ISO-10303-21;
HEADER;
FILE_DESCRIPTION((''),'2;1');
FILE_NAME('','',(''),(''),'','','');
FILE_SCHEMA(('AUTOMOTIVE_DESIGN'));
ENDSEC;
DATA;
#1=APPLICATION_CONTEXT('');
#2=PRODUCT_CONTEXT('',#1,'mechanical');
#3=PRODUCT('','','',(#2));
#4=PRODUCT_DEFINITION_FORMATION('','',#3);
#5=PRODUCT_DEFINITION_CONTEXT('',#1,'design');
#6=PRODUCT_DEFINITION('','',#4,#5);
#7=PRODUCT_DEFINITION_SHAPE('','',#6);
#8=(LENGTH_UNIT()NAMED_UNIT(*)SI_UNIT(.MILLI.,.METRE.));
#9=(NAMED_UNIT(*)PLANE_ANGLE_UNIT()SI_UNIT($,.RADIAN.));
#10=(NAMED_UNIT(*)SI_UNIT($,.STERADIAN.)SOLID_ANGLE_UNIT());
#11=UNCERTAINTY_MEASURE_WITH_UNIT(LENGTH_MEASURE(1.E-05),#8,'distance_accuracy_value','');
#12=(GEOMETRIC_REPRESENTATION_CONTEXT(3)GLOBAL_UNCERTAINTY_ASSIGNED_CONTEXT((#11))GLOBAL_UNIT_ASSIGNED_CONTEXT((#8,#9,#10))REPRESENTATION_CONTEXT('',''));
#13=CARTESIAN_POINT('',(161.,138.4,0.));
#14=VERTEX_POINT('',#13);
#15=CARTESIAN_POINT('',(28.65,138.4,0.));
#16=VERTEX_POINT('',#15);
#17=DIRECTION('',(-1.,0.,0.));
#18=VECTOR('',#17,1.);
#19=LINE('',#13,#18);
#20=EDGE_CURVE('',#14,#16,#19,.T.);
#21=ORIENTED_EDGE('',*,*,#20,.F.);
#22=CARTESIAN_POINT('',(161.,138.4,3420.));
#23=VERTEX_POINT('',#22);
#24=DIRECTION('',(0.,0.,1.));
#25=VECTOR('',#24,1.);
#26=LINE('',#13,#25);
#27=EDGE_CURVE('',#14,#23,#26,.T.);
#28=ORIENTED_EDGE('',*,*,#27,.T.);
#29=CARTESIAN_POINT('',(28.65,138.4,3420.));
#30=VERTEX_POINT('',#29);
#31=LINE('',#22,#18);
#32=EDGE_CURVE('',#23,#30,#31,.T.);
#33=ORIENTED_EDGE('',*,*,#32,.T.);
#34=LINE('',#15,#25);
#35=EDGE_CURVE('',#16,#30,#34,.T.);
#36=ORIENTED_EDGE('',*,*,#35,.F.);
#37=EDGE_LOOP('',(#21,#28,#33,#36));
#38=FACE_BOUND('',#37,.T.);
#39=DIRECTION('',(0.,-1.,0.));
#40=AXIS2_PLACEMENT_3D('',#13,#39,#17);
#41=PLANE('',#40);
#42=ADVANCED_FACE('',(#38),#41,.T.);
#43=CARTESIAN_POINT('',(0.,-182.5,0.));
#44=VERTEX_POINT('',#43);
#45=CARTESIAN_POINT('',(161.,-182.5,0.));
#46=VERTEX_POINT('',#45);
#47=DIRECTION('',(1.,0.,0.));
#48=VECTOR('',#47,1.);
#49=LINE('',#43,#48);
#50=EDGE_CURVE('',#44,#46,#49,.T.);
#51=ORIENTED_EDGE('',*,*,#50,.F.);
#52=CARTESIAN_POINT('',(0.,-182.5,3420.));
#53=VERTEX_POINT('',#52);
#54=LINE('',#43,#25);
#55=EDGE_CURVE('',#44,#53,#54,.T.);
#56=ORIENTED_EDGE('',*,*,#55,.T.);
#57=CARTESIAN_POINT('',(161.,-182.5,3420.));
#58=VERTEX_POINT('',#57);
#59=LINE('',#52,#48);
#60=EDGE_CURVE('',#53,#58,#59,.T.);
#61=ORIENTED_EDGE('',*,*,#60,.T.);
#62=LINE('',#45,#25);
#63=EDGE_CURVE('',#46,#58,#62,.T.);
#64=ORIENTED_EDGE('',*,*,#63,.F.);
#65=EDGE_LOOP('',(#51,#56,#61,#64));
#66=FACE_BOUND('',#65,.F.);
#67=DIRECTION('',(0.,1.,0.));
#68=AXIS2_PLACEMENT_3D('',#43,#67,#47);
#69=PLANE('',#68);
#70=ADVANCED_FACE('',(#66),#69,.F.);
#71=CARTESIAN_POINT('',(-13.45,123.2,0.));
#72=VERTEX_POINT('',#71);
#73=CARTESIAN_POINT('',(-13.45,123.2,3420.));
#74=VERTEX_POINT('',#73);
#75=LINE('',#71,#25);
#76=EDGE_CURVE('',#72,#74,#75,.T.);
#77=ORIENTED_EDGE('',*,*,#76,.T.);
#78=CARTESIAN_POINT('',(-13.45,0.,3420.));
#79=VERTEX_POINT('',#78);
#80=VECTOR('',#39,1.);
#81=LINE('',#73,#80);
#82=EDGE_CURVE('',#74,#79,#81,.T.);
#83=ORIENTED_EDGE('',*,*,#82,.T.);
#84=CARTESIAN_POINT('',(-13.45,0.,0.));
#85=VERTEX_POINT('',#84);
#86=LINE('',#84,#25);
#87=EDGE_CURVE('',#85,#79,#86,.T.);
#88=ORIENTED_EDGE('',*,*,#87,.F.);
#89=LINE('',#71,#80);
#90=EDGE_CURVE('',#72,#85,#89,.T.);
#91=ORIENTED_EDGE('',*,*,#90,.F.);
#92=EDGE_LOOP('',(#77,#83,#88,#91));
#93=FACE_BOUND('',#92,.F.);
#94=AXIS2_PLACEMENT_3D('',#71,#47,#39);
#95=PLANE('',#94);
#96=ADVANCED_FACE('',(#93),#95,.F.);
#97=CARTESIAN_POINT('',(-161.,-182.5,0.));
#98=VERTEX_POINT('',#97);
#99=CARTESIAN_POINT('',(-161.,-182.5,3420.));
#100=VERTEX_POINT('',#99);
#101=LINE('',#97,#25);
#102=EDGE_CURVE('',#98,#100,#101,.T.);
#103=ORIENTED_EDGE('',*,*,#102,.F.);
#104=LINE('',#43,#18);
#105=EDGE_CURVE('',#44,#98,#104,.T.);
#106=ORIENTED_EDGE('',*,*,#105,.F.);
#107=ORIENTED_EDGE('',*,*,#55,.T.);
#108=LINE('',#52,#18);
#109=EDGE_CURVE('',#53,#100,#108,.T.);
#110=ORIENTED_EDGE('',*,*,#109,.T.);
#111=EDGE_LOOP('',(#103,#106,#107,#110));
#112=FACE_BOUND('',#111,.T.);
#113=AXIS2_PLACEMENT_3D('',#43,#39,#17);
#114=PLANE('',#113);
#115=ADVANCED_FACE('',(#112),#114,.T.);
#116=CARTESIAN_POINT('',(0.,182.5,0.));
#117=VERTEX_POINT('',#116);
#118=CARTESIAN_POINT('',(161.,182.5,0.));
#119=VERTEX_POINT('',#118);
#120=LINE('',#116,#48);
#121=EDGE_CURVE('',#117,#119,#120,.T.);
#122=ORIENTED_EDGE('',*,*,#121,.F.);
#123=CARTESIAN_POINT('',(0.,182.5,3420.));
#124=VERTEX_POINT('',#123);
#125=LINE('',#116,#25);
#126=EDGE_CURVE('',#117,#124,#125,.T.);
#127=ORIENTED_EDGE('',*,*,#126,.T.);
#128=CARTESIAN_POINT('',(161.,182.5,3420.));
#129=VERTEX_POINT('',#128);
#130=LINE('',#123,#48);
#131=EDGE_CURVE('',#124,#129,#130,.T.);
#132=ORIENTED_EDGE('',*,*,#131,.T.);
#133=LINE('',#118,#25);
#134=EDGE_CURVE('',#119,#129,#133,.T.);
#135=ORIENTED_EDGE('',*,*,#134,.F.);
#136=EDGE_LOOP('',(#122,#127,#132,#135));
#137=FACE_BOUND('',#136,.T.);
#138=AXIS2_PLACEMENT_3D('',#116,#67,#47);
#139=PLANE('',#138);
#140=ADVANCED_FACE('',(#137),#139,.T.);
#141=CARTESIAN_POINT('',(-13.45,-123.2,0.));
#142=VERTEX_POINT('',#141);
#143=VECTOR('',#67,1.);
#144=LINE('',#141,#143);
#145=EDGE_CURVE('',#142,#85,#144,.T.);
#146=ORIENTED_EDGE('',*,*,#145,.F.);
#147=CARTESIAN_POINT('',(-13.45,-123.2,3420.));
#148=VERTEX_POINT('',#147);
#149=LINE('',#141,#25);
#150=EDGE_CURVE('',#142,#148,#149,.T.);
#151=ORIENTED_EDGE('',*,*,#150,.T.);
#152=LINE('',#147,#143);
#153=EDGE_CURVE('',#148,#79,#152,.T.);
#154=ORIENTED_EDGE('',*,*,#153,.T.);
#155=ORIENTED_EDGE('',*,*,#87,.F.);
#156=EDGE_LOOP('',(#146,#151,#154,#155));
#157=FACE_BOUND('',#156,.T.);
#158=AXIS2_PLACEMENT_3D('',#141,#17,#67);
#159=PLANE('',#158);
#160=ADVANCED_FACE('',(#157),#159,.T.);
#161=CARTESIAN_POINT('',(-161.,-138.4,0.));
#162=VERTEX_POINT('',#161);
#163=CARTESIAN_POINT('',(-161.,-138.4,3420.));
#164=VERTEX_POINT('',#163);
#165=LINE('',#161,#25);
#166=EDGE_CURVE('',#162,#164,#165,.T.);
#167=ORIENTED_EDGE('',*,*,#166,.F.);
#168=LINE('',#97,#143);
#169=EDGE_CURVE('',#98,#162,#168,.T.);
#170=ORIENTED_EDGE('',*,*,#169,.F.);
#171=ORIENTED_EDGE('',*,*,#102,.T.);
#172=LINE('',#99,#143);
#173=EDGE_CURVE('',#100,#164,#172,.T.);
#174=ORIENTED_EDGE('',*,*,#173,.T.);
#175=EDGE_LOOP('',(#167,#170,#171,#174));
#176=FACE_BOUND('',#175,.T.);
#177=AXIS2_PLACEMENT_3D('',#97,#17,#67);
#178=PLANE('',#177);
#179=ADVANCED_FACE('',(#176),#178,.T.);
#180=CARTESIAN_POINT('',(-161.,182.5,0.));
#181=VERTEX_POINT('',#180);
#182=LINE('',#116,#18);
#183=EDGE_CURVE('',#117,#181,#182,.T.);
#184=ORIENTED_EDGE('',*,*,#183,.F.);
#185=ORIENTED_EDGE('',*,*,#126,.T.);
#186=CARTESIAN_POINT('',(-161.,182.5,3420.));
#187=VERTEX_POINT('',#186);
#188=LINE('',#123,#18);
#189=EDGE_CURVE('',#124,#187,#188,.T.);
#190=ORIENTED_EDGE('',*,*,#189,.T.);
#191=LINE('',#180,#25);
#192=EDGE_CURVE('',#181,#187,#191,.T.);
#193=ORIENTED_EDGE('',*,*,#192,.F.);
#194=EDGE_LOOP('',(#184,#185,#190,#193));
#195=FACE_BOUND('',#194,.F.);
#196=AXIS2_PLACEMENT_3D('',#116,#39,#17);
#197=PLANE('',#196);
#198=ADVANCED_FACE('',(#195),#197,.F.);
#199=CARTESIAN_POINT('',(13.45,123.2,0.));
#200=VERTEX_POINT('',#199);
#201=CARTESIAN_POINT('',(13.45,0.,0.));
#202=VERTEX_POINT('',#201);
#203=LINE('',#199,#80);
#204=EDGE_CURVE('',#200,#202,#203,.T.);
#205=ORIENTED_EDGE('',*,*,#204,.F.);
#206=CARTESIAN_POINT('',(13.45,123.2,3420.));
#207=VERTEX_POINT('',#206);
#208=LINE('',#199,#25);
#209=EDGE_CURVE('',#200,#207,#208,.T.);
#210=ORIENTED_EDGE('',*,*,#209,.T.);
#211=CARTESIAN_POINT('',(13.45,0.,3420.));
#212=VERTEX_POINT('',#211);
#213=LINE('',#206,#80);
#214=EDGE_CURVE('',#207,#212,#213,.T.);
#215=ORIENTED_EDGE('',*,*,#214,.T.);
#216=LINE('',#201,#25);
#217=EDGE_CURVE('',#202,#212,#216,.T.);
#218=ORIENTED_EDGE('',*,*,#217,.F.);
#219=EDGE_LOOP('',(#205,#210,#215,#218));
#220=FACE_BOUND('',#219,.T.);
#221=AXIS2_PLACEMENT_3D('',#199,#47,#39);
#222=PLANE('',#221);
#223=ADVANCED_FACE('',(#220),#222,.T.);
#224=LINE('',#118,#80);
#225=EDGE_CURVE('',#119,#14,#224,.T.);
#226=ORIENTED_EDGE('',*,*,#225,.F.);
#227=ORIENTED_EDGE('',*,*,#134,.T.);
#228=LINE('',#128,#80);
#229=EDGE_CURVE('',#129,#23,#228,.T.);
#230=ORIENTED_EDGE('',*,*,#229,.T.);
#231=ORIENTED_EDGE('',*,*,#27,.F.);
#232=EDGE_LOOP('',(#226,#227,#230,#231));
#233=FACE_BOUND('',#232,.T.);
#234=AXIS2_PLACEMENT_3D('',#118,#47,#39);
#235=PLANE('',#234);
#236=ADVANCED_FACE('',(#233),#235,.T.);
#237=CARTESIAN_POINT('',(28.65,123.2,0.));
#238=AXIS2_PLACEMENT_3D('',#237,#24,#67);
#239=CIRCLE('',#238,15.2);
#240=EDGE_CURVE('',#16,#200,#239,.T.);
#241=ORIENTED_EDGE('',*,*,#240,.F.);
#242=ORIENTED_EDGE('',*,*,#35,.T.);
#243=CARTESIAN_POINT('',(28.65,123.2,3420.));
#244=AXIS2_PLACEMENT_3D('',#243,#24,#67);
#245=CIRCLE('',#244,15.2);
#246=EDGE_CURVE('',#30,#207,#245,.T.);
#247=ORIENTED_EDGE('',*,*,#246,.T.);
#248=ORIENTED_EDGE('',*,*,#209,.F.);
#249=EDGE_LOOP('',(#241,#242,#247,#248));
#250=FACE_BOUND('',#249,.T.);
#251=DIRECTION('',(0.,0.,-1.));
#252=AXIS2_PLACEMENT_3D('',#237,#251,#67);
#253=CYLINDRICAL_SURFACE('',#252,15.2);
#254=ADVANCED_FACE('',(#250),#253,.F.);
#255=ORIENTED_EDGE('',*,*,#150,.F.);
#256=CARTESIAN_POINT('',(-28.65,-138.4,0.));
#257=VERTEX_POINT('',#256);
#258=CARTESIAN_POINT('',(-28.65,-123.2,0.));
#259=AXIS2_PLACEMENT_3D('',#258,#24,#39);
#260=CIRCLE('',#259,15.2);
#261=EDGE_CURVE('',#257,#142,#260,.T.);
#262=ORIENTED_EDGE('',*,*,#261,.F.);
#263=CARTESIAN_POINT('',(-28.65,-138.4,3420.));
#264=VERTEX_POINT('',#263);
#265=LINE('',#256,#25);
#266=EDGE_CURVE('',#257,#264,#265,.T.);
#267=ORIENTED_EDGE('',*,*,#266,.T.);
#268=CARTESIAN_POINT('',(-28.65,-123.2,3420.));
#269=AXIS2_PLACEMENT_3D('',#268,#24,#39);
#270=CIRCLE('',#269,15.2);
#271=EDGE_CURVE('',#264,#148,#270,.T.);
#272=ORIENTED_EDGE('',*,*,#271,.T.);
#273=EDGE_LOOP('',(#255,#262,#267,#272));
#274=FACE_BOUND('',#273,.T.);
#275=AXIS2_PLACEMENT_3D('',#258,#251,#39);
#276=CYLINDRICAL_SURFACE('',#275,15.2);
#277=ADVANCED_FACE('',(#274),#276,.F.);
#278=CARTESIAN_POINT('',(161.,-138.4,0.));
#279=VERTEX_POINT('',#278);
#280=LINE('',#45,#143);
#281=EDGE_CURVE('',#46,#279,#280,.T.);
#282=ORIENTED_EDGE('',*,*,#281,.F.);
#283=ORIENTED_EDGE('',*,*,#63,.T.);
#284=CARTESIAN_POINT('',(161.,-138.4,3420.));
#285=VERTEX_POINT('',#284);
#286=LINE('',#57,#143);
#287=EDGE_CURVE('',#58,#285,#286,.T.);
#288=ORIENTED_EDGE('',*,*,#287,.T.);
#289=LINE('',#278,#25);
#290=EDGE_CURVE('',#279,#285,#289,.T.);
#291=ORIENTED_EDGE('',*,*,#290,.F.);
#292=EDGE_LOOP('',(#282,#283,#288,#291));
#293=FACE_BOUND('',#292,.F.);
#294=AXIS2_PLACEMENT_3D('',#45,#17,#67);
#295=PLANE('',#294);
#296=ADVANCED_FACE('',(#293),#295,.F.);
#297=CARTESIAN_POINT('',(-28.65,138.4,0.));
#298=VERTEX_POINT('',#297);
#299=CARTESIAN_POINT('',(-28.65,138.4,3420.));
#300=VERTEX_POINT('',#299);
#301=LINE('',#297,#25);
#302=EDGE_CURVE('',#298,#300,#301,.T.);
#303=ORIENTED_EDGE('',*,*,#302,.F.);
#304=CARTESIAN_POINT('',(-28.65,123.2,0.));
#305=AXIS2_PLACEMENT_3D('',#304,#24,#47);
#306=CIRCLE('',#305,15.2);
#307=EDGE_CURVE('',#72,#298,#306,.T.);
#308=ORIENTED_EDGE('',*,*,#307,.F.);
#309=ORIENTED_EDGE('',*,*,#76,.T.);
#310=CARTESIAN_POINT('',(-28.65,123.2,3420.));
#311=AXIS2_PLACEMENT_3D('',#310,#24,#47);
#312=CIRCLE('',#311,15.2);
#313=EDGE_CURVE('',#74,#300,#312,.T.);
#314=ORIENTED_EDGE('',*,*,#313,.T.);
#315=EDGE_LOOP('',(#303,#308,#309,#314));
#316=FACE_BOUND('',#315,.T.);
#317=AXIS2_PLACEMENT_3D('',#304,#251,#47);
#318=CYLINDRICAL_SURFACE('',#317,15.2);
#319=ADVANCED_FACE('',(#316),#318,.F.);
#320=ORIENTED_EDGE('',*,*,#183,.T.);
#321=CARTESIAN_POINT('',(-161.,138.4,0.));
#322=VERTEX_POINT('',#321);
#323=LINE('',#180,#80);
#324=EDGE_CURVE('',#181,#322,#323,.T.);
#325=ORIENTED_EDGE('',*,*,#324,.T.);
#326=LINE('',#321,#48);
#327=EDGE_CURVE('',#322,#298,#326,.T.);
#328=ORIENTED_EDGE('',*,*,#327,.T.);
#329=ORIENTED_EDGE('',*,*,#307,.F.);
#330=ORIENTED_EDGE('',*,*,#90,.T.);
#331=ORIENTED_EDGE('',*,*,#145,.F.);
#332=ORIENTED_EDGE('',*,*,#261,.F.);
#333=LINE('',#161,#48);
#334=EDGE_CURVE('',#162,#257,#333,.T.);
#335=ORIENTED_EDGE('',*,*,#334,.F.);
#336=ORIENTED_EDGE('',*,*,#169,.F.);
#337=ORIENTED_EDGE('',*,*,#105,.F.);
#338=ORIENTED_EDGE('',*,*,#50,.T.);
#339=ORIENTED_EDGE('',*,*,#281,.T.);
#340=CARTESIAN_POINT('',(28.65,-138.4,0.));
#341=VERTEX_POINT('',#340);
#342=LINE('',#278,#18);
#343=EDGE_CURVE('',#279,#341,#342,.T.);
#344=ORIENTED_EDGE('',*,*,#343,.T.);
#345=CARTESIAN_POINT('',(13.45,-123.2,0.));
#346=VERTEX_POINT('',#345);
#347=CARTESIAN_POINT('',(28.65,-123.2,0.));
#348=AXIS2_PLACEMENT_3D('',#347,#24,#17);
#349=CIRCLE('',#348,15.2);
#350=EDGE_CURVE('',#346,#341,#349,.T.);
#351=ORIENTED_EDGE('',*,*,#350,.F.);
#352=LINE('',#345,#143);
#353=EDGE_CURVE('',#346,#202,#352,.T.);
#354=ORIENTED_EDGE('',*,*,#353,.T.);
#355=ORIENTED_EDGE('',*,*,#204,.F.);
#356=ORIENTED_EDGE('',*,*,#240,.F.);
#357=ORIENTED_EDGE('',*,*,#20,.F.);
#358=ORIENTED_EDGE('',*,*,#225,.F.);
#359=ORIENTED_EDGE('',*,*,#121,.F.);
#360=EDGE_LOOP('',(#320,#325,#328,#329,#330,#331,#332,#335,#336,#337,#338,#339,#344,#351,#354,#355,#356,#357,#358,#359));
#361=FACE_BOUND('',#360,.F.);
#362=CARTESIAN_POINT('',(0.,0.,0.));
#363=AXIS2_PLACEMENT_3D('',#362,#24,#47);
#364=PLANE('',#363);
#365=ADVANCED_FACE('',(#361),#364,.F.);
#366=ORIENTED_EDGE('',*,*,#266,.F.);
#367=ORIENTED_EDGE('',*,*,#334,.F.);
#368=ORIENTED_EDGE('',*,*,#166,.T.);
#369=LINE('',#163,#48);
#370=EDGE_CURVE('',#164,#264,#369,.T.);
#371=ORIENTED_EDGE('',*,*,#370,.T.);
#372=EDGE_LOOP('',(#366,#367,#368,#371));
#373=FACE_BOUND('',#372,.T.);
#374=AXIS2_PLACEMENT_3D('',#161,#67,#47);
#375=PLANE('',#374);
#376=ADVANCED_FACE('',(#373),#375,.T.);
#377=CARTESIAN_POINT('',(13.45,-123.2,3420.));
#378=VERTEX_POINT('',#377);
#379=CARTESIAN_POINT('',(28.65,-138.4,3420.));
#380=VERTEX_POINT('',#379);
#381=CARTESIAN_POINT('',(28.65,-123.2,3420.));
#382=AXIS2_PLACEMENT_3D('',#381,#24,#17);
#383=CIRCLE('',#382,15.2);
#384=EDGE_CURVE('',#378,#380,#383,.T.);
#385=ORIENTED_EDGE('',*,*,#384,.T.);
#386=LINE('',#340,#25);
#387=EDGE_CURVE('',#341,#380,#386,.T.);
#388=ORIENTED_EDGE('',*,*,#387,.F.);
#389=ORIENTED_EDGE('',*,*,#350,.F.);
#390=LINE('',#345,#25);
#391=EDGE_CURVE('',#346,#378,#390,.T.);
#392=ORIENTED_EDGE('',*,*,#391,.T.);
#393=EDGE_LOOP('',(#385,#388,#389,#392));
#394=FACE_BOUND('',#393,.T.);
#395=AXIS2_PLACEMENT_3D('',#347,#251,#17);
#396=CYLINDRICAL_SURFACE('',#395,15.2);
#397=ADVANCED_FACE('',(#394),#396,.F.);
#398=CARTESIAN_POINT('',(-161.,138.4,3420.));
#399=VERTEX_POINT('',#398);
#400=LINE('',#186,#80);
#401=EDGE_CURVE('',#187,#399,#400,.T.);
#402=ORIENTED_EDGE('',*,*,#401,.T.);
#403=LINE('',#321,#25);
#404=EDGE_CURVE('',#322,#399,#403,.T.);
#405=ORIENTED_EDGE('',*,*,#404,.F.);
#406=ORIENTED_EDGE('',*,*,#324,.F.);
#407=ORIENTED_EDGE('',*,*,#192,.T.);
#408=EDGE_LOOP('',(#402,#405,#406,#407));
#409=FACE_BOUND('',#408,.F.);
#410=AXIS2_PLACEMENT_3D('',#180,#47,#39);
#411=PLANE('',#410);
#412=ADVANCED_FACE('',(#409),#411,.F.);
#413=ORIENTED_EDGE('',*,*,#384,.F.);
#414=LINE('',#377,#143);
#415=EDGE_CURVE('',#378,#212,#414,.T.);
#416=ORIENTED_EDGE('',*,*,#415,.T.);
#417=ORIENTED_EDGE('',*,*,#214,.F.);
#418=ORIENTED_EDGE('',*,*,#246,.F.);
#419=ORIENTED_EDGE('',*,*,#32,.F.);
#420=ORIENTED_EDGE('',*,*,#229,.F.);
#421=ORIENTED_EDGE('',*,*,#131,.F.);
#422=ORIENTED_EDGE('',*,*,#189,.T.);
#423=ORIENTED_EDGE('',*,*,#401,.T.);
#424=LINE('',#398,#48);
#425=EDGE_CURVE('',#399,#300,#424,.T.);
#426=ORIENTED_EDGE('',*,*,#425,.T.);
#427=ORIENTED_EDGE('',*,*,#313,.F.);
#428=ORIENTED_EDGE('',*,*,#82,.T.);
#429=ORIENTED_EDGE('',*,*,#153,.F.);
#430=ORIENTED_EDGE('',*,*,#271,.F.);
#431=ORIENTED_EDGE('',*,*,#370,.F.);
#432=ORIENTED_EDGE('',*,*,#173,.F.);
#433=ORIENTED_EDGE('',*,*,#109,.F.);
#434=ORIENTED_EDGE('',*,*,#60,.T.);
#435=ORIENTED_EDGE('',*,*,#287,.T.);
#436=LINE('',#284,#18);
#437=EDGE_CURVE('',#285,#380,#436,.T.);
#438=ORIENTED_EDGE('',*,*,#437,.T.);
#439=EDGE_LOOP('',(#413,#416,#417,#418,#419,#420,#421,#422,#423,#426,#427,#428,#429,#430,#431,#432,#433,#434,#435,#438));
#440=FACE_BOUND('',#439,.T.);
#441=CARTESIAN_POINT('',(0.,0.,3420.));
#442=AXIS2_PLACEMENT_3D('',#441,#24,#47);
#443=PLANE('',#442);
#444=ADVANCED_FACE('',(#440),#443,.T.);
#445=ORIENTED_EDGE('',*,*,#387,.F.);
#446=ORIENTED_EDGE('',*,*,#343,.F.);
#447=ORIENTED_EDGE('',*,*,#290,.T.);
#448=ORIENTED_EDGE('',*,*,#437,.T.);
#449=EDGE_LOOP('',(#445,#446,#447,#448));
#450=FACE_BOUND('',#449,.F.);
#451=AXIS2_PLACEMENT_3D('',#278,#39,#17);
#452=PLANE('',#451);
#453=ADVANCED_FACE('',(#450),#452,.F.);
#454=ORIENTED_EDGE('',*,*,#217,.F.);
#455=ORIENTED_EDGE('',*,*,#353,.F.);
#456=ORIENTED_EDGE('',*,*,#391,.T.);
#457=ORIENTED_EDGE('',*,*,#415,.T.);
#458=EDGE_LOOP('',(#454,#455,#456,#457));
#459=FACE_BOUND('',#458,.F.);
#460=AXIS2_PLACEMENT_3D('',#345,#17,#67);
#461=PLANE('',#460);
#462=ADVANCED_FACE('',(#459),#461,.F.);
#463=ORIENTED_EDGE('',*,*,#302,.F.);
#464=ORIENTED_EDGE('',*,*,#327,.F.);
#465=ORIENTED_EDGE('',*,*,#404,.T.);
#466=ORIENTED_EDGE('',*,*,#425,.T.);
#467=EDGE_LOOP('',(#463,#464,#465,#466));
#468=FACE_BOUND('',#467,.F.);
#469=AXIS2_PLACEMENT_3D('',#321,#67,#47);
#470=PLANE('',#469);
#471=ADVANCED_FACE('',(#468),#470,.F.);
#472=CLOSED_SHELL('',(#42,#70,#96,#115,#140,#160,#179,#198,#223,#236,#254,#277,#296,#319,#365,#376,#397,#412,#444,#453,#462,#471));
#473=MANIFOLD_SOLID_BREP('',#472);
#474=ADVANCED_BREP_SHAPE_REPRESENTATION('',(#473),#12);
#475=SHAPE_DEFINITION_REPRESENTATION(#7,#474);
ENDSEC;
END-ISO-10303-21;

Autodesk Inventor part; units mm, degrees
ref_plane "YZ Plane" through (0, 0, 0) normal (1, 0, 0) x (0, 1, 0)
ref_plane "Start plane" through (0, 0, 0) normal (0, 0, 1) x (1, 0, 0)
ref_plane "End plane" through (0, 0, 3420) normal (0, 0, 1) x (1, 0, 0)
sketch "Sketch" plane through (0, 0, 0) normal (0, 0, 1) x (1, 0, 0)
  line L0 (-161, -182.5) -> (-161, -138.4)
  line L1 (-161, -138.4) -> (-28.65, -138.4)
  line L2 (-13.45, -123.2) -> (-13.45, 0)
  line L3 (-13.45, 0) -> (0, 0) construction
  line L4 (0, 0) -> (0, -182.5) construction
  line L5 (0, -182.5) -> (-161, -182.5)
  line L6 (-60, 0) -> (80, 0) construction
  line L7 (0, -60) -> (0, 80) construction
  line L8 (161, -182.5) -> (161, -138.4)
  line L9 (161, -138.4) -> (28.65, -138.4)
  line L10 (13.45, -123.2) -> (13.45, 0)
  line L11 (13.45, 0) -> (0, 0) construction
  line L12 (0, -182.5) -> (161, -182.5)
  line L13 (-161, 182.5) -> (-161, 138.4)
  line L14 (-161, 138.4) -> (-28.65, 138.4)
  line L15 (-13.45, 123.2) -> (-13.45, 0)
  line L16 (0, 182.5) -> (-161, 182.5)
  line L17 (161, 182.5) -> (161, 138.4)
  line L18 (161, 138.4) -> (28.65, 138.4)
  line L19 (0, 182.5) -> (161, 182.5)
  line L20 (13.45, 123.2) -> (13.45, 0)
  arc A0 (-13.45, 123.2) -> (-28.65, 138.4) centre (-28.65, 123.2) ccw
  arc A1 (28.65, 138.4) -> (13.45, 123.2) centre (28.65, 123.2) ccw
  arc A2 (13.45, -123.2) -> (28.65, -138.4) centre (28.65, -123.2) ccw
  arc A3 (-28.65, -138.4) -> (-13.45, -123.2) centre (-28.65, -123.2) ccw
  line L21 (0, 108) -> (0, -88) construction
  line L22 (-88, 0) -> (108, 0) construction
  point P0 (-13.45, -138.4)
  point P1 (13.45, -138.4)
  point P2 (-13.45, 138.4)
  point P3 (13.45, 138.4)
  dimension "d1" = 182.5
  dimension "d2" = 44.1
  dimension "d3" = 161
  dimension "d4" = 13.45
  dimension "d10" = 15.2
extrude "Body" add sketch "Sketch" along normal up to surface (3420 mm away) from surface at 0
sketch "Sketch4" plane through (0, 0, 0) normal (0, 0, 1) x (1, 0, 0)
  line L0 (0, 0) -> (10, 0)
ref_plane "Work Plane3" through (0, 0, 0) normal (0, -1, 0) x (1, 0, 0)
sketch "Sketch5" plane through (0, 0, 0) normal (0, -1, 0) x (1, 0, 0)
  line L0 (-2, 0) -> (12, 0) projected
  line L1 (-2, 3420) -> (12, 3420) projected
  dimension "d14" = 3420
equation "\"d1\" = 0.5 * G_H"
equation "\"d2\" = G_T1"
equation "\"d3\" = 0.5 * G_W"
equation "\"d4\" = 0.5 * G_T"
equation "\"d10\" = G_IR"
equation "\"d5\" = G_L"
equation "\"G_W\" = 322"
equation "\"G_H\" = 365"
equation "\"G_T\" = 26.9"
equation "\"G_T1\" = 44.1"
equation "\"G_IR\" = 15.2"
equation "\"G_L\" = d14"
equation "\"G_OFFSET_START\" = 0"
equation "\"G_OFFSET_END\" = 0"
properties part number "AS 3679 - 310 UC - 283 - 3420" material "Steel, Mild"
